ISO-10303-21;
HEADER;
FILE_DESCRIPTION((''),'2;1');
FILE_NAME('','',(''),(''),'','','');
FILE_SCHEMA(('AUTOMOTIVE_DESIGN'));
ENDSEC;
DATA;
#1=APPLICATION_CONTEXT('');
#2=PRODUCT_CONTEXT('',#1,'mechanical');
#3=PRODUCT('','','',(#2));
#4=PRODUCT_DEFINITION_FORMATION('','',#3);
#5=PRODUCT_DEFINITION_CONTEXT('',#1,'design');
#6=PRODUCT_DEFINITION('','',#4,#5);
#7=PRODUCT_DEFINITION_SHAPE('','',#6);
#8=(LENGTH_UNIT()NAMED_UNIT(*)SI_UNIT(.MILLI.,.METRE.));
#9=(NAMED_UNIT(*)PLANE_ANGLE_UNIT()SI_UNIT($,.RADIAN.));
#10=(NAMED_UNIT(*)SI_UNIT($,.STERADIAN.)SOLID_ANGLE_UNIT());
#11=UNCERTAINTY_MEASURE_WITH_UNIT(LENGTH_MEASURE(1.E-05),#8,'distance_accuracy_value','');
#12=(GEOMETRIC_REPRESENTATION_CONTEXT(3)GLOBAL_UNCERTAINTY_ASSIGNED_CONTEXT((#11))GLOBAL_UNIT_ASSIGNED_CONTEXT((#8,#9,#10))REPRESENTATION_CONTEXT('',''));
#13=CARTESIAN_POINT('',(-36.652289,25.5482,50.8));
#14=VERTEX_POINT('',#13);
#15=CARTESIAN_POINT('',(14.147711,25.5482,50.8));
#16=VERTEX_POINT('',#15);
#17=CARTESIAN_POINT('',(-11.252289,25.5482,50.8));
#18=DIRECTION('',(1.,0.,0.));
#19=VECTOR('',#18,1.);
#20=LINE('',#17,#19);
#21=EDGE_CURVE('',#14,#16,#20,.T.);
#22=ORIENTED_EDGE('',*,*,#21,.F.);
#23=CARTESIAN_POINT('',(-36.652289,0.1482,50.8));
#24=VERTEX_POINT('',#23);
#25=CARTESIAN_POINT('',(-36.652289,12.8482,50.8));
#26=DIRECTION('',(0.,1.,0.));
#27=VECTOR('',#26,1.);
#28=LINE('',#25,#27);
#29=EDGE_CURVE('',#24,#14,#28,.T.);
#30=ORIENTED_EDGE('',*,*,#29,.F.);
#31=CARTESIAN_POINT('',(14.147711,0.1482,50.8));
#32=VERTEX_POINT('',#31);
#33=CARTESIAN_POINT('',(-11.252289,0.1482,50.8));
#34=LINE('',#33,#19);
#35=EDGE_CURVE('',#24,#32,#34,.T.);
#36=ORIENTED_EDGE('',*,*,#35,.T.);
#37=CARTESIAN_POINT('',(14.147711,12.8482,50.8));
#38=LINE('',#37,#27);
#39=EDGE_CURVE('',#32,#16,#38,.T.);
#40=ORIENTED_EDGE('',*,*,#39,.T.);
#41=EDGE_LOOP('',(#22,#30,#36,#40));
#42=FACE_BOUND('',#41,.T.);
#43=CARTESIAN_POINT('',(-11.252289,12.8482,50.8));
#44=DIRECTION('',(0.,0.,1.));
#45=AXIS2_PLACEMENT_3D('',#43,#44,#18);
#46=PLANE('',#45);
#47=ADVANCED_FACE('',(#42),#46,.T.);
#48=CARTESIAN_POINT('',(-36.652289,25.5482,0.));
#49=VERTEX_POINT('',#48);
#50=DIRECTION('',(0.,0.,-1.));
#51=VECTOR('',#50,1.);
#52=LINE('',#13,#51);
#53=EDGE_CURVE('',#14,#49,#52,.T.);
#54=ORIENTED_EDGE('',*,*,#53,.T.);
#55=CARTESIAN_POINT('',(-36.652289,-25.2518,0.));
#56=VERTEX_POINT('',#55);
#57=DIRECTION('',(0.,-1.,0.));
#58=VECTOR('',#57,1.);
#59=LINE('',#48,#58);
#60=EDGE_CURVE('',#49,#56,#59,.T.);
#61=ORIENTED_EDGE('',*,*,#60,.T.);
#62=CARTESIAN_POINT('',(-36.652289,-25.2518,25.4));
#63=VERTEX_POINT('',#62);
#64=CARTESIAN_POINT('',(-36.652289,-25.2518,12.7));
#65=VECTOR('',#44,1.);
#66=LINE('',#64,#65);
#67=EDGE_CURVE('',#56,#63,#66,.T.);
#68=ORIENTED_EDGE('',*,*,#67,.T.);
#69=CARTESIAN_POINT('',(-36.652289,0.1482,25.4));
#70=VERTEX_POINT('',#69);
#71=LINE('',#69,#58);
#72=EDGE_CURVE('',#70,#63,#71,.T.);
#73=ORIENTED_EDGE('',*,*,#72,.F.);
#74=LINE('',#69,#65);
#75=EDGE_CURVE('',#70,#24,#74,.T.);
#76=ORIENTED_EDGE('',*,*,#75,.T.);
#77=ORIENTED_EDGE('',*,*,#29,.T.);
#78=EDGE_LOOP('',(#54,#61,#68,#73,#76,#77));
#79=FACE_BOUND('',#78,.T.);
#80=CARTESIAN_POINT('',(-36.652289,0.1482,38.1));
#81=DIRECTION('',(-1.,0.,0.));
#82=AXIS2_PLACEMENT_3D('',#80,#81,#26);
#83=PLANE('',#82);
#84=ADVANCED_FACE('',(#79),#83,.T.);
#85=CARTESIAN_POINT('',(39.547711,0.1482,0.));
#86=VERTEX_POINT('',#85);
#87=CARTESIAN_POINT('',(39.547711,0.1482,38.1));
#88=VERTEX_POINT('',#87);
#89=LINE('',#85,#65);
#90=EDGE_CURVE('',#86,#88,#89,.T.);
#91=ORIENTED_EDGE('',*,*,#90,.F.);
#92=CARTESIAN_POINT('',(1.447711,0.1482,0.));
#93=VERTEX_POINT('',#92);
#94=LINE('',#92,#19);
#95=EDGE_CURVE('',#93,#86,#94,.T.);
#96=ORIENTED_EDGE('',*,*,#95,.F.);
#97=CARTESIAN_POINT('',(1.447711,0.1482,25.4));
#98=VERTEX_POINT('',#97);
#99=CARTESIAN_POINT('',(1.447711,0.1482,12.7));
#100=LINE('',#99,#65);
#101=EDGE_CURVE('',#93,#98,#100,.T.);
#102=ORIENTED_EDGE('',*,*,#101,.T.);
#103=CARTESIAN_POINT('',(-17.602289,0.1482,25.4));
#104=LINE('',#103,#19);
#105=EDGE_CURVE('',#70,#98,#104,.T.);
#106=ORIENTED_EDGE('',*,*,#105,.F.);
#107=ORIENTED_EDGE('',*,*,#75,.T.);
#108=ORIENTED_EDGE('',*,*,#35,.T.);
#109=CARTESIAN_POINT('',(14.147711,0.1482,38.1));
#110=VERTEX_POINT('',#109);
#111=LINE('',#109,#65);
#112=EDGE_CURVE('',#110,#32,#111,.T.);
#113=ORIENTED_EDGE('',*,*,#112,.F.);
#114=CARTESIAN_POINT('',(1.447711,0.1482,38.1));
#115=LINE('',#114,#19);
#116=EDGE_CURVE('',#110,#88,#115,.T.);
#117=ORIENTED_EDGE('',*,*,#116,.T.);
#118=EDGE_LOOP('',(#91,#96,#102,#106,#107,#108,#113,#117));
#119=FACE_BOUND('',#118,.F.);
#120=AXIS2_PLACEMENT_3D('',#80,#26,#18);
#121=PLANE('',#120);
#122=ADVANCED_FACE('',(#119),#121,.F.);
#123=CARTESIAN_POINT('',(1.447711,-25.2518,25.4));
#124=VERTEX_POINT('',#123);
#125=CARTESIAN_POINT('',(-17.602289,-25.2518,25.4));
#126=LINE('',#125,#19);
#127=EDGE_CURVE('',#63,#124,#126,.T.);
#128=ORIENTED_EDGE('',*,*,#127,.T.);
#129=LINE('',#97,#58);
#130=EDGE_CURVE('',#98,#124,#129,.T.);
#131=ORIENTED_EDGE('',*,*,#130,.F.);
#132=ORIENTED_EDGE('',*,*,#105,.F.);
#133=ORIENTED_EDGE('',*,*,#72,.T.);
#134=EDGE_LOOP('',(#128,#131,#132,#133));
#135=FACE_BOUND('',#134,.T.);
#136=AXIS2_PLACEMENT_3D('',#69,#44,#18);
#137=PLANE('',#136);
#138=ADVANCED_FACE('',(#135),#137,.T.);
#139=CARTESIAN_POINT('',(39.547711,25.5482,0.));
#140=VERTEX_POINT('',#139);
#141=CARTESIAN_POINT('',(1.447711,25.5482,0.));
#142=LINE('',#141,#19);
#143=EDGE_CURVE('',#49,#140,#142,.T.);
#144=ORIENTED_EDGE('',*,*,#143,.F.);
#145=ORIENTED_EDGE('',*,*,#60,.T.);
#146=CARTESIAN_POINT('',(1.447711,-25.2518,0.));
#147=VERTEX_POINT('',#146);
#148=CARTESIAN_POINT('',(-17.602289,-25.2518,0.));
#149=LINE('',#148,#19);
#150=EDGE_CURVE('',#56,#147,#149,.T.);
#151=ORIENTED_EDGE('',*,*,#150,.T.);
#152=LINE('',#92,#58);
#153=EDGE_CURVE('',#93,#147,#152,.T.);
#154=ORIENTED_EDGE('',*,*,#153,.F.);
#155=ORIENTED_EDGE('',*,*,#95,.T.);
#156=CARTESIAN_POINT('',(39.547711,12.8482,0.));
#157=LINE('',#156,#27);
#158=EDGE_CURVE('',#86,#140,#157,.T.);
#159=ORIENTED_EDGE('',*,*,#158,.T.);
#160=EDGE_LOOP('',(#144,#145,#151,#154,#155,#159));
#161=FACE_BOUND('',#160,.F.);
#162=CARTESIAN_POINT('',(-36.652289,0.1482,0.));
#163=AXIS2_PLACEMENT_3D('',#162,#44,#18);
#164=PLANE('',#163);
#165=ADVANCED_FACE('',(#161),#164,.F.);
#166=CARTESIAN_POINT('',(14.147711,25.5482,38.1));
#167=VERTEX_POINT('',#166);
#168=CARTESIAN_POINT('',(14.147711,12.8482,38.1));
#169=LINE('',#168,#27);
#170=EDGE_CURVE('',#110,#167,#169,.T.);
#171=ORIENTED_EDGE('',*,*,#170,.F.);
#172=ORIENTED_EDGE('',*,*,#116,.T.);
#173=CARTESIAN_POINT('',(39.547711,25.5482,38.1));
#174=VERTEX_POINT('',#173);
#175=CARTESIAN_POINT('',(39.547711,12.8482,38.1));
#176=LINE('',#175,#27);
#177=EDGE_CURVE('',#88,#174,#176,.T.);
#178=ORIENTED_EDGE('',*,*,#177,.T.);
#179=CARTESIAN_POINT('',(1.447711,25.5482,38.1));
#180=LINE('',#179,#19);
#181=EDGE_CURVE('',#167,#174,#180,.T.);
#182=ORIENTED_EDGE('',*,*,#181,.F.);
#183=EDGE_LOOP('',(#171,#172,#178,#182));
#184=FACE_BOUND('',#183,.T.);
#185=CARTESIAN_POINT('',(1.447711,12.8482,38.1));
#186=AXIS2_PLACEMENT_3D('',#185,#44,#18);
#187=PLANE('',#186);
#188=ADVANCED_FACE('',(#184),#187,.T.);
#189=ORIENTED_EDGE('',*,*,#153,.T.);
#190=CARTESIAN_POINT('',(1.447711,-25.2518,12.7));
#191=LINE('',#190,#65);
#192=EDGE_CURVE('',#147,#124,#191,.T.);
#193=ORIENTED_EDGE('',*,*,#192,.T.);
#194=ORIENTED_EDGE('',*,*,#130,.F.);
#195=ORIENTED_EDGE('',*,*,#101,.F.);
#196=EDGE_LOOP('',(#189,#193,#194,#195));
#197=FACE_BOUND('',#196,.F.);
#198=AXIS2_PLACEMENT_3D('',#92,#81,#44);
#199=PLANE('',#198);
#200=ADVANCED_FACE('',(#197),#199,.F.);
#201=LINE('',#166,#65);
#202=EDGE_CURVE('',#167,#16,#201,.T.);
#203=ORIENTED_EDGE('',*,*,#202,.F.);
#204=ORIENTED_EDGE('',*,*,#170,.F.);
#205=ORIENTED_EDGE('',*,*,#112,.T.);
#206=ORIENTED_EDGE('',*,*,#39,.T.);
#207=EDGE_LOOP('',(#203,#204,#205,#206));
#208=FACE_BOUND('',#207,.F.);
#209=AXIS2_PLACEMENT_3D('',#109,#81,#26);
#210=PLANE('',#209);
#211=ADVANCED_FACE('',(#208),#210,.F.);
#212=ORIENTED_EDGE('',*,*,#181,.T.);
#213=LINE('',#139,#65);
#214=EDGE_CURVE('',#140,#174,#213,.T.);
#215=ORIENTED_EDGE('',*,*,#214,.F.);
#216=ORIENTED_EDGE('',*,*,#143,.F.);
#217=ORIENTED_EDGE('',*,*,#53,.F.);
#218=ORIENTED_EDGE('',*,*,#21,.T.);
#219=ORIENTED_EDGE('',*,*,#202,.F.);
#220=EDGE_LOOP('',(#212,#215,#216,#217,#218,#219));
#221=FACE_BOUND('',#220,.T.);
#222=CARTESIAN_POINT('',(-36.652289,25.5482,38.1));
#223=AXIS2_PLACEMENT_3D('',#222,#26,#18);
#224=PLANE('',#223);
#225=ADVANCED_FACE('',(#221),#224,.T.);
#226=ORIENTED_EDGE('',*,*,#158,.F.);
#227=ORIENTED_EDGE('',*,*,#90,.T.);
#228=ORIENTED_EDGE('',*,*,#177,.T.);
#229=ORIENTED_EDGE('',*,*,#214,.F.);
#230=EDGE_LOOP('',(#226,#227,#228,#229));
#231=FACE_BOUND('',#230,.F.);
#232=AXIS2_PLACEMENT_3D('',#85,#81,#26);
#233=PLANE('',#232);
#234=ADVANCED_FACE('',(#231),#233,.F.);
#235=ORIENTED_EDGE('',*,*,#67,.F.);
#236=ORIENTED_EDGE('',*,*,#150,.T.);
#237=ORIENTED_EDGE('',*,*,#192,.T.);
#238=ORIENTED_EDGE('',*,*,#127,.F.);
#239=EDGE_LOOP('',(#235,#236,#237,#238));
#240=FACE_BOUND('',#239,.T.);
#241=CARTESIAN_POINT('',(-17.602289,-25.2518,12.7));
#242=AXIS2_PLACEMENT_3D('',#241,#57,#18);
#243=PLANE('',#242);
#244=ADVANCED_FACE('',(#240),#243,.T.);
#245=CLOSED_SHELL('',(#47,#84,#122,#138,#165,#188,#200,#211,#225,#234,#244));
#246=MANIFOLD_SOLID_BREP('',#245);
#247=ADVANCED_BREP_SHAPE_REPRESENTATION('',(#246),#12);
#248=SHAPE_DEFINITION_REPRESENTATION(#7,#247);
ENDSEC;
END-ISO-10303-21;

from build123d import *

# Parameters (mm, degrees)
F0_W     = 76.2
F0_H     = 25.4
F1_DEPTH = 38.1
F2_W     = 38.1
F2_H     = 25.4
F3_DEPTH = 25.4
F4_W     = 50.8
F4_H     = 25.4
F5_DEPTH = 12.7


with BuildPart() as f1:
    # F0 (on Top) → F1 (new body)
    with BuildSketch(Plane.XY):
        with Locations((1.447711, 12.8482)):
            Rectangle(F0_W, F0_H)
    extrude(amount=F1_DEPTH)

    # F2 (on face) → F3 (join)
    with BuildSketch(Plane.XZ.offset(-0.1482)):
        with Locations((-17.602289, 12.7)):
            Rectangle(F2_W, F2_H)
    extrude(amount=F3_DEPTH)

    # F4 (on face) → F5 (join)
    with BuildSketch(Plane.XY.offset(38.1)):
        with Locations((-11.252289, 12.8482)):
            Rectangle(F4_W, F4_H)
    extrude(amount=F5_DEPTH)


solid = f1.part
